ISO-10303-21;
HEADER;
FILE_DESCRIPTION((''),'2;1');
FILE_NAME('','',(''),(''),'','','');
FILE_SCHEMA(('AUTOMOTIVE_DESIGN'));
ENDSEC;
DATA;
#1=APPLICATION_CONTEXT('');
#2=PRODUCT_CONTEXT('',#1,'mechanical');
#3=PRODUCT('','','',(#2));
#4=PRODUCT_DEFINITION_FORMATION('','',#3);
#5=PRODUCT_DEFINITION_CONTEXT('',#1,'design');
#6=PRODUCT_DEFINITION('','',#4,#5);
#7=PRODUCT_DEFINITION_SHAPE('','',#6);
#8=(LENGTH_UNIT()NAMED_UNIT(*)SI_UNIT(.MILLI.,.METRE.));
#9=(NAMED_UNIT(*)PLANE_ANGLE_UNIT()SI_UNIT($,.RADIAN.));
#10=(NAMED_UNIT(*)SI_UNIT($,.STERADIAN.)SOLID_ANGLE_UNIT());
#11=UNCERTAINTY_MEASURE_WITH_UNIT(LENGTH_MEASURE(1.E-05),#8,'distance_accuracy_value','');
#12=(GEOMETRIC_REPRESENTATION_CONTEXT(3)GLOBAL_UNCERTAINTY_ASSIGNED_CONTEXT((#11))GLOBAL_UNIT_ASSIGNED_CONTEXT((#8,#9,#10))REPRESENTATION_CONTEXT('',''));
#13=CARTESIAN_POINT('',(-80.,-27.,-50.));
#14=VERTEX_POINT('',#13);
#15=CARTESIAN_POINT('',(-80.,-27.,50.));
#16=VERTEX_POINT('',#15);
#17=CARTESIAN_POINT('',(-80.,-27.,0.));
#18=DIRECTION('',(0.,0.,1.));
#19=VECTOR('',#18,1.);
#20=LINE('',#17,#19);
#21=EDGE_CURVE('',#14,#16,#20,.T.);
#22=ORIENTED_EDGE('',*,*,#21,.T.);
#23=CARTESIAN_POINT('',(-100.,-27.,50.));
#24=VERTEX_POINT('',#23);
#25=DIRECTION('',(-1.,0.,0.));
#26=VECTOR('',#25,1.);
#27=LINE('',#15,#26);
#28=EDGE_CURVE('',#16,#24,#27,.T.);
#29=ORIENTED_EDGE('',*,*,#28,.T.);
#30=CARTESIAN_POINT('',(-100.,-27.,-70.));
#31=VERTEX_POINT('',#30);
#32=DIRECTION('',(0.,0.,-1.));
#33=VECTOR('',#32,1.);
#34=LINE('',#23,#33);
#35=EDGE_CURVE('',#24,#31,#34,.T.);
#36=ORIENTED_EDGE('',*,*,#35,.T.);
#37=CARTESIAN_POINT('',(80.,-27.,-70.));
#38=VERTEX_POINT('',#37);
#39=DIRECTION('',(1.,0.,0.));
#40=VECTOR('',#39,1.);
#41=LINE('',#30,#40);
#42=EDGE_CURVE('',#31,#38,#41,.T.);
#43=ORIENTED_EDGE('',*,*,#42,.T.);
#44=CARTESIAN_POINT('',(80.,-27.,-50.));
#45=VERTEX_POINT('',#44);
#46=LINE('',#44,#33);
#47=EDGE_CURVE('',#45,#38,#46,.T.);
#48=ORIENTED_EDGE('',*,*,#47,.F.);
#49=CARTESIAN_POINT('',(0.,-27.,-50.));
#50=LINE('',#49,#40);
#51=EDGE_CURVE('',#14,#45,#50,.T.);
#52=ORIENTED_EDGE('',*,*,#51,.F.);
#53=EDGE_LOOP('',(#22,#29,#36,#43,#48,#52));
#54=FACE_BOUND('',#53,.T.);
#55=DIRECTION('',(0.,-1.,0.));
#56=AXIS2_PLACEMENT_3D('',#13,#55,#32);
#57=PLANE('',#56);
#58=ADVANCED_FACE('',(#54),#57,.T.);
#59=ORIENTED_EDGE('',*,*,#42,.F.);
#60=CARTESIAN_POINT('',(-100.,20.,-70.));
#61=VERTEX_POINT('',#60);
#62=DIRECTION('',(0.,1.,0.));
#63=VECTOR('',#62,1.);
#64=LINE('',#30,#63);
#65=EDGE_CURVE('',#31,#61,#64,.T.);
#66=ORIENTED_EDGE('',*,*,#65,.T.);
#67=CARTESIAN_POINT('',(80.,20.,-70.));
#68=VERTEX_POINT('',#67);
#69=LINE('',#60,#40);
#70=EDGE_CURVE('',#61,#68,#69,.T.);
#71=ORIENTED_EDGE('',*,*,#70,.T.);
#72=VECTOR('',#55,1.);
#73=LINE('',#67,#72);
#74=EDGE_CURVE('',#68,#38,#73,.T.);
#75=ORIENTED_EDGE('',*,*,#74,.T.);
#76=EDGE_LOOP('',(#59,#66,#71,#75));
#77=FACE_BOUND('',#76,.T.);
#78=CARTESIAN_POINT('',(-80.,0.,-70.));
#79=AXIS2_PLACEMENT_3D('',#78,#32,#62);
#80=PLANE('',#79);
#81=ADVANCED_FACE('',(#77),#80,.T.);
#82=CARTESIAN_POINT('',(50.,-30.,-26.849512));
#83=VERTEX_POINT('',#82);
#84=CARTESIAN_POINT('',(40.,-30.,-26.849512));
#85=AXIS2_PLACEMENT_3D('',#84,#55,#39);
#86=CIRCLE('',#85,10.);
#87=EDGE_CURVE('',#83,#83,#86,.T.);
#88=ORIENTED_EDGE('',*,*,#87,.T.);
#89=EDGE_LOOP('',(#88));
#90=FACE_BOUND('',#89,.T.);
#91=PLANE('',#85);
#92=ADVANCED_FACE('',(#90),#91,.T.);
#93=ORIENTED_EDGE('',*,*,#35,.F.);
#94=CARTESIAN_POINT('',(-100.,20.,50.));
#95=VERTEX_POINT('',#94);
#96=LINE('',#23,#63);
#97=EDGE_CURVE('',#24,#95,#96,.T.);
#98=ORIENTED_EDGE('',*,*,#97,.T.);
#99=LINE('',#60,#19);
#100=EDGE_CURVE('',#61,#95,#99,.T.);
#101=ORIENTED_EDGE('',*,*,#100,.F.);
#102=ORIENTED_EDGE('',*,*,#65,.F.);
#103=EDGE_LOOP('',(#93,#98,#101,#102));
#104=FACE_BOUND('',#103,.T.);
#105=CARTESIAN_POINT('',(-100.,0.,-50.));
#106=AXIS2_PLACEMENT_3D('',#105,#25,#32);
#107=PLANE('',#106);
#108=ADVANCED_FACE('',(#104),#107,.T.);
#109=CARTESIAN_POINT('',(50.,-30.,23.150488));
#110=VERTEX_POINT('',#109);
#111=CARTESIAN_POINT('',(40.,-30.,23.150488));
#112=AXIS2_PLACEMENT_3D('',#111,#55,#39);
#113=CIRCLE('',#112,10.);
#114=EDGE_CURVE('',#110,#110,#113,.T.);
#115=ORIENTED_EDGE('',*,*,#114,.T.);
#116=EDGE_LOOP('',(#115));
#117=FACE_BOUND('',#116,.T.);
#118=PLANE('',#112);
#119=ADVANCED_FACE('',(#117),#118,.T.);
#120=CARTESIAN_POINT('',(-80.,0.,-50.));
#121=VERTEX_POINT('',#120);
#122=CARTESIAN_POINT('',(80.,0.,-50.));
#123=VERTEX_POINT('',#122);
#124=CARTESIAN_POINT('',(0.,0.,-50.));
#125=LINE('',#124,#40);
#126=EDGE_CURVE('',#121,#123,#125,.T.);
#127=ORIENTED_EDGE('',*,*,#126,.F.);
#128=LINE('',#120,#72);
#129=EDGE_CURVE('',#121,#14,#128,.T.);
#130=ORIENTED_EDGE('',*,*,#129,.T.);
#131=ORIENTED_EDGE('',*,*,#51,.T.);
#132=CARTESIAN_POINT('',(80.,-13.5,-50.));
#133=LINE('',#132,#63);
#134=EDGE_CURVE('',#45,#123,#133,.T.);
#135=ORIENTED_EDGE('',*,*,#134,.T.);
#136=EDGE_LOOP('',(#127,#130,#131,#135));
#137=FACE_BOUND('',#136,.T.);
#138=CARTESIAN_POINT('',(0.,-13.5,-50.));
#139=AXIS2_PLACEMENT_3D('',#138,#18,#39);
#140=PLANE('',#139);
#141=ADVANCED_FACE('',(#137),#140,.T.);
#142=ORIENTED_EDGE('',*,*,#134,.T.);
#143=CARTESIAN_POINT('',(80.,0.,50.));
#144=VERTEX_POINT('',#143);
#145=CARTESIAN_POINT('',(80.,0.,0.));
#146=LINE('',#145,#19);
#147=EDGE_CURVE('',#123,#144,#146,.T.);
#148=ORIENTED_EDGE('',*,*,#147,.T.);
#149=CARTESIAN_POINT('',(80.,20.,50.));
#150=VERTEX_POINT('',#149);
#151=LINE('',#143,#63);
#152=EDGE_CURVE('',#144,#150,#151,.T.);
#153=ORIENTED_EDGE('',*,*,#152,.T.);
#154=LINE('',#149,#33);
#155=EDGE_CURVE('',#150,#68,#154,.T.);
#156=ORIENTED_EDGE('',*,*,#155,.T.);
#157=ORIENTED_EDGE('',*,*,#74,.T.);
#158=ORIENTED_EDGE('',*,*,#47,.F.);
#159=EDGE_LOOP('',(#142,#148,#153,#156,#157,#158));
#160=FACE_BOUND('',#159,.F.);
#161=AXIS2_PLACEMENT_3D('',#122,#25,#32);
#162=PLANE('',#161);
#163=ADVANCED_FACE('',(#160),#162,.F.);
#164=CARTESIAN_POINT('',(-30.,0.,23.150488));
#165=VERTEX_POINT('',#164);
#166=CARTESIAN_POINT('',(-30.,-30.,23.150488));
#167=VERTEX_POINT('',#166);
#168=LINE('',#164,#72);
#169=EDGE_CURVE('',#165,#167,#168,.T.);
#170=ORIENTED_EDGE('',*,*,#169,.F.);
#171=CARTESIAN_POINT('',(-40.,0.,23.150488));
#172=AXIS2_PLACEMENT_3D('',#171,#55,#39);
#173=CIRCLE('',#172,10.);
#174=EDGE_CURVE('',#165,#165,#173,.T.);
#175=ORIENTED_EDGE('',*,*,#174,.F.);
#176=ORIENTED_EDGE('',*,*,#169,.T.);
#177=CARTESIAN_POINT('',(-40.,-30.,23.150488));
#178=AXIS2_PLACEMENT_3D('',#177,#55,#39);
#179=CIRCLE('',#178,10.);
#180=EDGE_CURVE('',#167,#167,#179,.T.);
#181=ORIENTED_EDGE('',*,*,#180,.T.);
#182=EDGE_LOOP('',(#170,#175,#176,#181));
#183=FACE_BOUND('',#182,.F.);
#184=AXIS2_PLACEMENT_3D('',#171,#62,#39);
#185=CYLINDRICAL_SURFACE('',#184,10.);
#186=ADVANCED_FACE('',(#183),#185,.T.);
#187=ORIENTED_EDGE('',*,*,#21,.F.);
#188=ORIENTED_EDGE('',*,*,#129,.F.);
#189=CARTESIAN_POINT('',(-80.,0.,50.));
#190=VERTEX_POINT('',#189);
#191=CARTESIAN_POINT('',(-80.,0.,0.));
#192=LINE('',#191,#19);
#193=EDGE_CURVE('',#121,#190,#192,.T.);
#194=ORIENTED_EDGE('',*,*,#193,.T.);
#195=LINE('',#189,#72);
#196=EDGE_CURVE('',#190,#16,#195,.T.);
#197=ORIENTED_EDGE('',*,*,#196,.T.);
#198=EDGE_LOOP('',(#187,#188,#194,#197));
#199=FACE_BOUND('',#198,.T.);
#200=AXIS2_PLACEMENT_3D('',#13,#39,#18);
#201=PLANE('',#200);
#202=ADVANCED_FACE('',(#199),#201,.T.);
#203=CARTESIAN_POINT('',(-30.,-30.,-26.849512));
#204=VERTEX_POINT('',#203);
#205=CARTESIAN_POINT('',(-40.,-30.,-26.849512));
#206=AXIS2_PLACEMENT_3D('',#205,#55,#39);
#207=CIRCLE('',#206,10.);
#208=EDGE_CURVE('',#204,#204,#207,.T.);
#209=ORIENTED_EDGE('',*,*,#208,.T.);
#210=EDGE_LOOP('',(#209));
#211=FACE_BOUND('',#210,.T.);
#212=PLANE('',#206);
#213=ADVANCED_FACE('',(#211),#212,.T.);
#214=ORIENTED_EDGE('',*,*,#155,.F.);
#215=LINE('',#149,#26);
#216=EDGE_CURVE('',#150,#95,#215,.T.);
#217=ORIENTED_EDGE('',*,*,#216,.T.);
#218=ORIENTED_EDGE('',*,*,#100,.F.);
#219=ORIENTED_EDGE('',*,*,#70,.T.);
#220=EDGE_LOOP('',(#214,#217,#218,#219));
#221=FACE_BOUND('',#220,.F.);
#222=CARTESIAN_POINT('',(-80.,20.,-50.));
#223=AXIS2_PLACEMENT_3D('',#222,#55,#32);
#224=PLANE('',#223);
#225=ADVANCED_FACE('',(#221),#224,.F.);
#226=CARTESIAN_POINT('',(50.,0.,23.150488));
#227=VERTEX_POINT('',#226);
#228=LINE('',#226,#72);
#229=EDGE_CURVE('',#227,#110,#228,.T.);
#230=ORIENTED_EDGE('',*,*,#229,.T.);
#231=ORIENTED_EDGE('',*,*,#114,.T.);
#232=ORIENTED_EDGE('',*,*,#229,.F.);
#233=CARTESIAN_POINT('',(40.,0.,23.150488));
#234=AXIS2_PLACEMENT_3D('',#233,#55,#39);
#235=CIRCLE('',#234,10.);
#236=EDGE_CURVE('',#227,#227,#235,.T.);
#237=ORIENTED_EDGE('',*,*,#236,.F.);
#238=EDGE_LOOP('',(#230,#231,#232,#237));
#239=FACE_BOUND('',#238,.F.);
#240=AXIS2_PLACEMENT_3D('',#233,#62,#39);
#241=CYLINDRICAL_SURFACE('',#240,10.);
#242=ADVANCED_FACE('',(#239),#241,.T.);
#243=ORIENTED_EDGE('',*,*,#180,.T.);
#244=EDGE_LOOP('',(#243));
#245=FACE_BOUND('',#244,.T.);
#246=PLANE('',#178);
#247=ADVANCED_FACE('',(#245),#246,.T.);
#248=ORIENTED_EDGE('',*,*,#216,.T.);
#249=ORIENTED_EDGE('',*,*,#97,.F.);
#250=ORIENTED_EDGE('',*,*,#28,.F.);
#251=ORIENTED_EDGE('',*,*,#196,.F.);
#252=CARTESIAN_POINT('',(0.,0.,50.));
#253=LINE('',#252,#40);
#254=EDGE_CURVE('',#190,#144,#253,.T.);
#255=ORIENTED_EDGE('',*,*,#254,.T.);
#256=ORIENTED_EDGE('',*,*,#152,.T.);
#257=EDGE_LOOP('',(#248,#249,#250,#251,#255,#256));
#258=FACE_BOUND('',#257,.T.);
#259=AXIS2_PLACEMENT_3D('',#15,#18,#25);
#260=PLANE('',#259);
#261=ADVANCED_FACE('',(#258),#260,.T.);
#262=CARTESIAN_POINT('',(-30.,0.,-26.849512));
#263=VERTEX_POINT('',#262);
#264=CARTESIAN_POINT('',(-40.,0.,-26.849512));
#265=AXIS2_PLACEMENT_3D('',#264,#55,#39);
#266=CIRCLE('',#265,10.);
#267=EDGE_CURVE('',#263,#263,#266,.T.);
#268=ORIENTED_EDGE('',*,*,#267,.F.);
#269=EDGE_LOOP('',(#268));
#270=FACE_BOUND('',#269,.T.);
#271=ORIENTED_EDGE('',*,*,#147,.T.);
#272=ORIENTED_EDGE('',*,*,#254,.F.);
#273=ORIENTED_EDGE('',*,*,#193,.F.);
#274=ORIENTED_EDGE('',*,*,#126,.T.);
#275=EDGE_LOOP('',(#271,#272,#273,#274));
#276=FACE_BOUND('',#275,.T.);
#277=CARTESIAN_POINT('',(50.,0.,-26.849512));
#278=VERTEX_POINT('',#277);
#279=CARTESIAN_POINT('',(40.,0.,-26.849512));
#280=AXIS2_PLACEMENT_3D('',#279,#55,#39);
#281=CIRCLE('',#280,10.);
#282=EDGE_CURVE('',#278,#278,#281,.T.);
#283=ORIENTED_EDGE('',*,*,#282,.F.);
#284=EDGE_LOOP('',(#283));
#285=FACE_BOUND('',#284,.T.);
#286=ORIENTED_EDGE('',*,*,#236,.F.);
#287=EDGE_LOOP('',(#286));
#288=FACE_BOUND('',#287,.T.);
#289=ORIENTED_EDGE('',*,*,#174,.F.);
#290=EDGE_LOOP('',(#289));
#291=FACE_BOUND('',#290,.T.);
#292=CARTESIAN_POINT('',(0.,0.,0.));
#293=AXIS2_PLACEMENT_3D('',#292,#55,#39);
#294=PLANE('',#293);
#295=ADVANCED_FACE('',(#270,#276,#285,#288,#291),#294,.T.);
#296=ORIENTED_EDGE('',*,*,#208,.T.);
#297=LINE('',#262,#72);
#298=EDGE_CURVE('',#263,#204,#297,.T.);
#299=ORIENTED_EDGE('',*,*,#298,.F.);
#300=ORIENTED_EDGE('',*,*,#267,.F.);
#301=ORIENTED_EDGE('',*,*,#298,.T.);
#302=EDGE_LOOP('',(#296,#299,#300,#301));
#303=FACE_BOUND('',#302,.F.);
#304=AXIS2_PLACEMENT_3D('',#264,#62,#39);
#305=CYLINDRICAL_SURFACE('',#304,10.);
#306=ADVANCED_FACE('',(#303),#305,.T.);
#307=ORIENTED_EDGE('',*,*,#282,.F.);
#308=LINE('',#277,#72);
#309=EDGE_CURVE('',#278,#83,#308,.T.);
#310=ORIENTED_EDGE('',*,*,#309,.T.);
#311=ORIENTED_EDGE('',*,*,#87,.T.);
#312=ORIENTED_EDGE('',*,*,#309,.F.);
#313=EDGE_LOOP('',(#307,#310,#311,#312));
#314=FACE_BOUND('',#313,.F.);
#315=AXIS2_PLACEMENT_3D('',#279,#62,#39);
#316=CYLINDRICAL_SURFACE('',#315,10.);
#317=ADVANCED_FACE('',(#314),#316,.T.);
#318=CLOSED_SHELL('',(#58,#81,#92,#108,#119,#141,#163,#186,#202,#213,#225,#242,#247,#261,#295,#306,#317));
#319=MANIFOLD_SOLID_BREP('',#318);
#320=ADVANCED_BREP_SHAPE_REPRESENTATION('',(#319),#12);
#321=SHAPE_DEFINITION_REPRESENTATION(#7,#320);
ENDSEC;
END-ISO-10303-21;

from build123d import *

# Parameters (mm, degrees)
F0_W      = 160
F0_H      = 100
F1_DEPTH  = 20
F3_W      = 27
F3_H      = 100
F4_DEPTH  = 20
F5_DEPTH  = 20
F6_R      = 10
F7_DEPTH  = 30
F9_W      = 160
F9_H      = 27
F10_DEPTH = 20
F11_DEPTH = 20
F12_DEPTH = 20
F13_DEPTH = 20


with BuildPart() as f1:
    # F0 (on Front) → F1 (new body)
    with BuildSketch(Plane.XZ):
        Rectangle(F0_W, F0_H)
    extrude(amount=-F1_DEPTH)

    # F3 (on offset) → F4 (join)
    with BuildSketch(Plane.YZ.offset(-80)):
        with Locations((-13.5, 0)):
            Rectangle(F3_W, F3_H)
    extrude(amount=-F4_DEPTH)

    # F5 (add): faces of the model
    f5_faces = [f1.faces().sort_by_distance(p)[0] for p in [
        (-90, -27, 0),
        (-90, 0, 0),
    ]]
    extrude(f5_faces, amount=-F5_DEPTH, dir=(0, -1, 0))

    # F6 (on face) → F7 (join)
    with BuildSketch(Plane.XZ):
        with Locations((-40, -26.8495120108)):
            Circle(F6_R)
        with Locations((-40, 23.1504879892)):
            Circle(F6_R)
        with Locations((40, -26.8495120108)):
            Circle(F6_R)
        with Locations((40, 23.1504879892)):
            Circle(F6_R)
    extrude(amount=F7_DEPTH)



with BuildPart() as f10:
    # F9 (on offset) → F10 (new body)
    with BuildSketch(Plane.XY.offset(-50)):
        with Locations((0, -13.5)):
            Rectangle(F9_W, F9_H)
    extrude(amount=-F10_DEPTH)


with BuildPart() as f11:
    # F11 (new, through all): a face of the model
    f11_faces = [f10.part.faces().sort_by_distance(p)[0] for p in [
        (0, 0, -60),
    ]]
    extrude(f11_faces, amount=F11_DEPTH)


with BuildPart() as f12:
    # F12 (new, through all): a face of the model
    f12_faces = [f10.part.faces().sort_by_distance(p)[0] for p in [
        (-80, -13.5, -60),
    ]]
    extrude(f12_faces, amount=F12_DEPTH)


with BuildPart() as f1_1:
    add(f1.part)
    # F13 (add, through all): a face of the model
    f13_faces = [f11.part.faces().sort_by_distance(p)[0] for p in [
        (-80, 10, -60),
    ]]

    add(f10.part)  # F13 merges F10

    add(f11.part)  # F13 merges F11

    add(f12.part)  # F13 merges F12
    extrude(f13_faces, amount=F13_DEPTH)


solid = f1_1.part
